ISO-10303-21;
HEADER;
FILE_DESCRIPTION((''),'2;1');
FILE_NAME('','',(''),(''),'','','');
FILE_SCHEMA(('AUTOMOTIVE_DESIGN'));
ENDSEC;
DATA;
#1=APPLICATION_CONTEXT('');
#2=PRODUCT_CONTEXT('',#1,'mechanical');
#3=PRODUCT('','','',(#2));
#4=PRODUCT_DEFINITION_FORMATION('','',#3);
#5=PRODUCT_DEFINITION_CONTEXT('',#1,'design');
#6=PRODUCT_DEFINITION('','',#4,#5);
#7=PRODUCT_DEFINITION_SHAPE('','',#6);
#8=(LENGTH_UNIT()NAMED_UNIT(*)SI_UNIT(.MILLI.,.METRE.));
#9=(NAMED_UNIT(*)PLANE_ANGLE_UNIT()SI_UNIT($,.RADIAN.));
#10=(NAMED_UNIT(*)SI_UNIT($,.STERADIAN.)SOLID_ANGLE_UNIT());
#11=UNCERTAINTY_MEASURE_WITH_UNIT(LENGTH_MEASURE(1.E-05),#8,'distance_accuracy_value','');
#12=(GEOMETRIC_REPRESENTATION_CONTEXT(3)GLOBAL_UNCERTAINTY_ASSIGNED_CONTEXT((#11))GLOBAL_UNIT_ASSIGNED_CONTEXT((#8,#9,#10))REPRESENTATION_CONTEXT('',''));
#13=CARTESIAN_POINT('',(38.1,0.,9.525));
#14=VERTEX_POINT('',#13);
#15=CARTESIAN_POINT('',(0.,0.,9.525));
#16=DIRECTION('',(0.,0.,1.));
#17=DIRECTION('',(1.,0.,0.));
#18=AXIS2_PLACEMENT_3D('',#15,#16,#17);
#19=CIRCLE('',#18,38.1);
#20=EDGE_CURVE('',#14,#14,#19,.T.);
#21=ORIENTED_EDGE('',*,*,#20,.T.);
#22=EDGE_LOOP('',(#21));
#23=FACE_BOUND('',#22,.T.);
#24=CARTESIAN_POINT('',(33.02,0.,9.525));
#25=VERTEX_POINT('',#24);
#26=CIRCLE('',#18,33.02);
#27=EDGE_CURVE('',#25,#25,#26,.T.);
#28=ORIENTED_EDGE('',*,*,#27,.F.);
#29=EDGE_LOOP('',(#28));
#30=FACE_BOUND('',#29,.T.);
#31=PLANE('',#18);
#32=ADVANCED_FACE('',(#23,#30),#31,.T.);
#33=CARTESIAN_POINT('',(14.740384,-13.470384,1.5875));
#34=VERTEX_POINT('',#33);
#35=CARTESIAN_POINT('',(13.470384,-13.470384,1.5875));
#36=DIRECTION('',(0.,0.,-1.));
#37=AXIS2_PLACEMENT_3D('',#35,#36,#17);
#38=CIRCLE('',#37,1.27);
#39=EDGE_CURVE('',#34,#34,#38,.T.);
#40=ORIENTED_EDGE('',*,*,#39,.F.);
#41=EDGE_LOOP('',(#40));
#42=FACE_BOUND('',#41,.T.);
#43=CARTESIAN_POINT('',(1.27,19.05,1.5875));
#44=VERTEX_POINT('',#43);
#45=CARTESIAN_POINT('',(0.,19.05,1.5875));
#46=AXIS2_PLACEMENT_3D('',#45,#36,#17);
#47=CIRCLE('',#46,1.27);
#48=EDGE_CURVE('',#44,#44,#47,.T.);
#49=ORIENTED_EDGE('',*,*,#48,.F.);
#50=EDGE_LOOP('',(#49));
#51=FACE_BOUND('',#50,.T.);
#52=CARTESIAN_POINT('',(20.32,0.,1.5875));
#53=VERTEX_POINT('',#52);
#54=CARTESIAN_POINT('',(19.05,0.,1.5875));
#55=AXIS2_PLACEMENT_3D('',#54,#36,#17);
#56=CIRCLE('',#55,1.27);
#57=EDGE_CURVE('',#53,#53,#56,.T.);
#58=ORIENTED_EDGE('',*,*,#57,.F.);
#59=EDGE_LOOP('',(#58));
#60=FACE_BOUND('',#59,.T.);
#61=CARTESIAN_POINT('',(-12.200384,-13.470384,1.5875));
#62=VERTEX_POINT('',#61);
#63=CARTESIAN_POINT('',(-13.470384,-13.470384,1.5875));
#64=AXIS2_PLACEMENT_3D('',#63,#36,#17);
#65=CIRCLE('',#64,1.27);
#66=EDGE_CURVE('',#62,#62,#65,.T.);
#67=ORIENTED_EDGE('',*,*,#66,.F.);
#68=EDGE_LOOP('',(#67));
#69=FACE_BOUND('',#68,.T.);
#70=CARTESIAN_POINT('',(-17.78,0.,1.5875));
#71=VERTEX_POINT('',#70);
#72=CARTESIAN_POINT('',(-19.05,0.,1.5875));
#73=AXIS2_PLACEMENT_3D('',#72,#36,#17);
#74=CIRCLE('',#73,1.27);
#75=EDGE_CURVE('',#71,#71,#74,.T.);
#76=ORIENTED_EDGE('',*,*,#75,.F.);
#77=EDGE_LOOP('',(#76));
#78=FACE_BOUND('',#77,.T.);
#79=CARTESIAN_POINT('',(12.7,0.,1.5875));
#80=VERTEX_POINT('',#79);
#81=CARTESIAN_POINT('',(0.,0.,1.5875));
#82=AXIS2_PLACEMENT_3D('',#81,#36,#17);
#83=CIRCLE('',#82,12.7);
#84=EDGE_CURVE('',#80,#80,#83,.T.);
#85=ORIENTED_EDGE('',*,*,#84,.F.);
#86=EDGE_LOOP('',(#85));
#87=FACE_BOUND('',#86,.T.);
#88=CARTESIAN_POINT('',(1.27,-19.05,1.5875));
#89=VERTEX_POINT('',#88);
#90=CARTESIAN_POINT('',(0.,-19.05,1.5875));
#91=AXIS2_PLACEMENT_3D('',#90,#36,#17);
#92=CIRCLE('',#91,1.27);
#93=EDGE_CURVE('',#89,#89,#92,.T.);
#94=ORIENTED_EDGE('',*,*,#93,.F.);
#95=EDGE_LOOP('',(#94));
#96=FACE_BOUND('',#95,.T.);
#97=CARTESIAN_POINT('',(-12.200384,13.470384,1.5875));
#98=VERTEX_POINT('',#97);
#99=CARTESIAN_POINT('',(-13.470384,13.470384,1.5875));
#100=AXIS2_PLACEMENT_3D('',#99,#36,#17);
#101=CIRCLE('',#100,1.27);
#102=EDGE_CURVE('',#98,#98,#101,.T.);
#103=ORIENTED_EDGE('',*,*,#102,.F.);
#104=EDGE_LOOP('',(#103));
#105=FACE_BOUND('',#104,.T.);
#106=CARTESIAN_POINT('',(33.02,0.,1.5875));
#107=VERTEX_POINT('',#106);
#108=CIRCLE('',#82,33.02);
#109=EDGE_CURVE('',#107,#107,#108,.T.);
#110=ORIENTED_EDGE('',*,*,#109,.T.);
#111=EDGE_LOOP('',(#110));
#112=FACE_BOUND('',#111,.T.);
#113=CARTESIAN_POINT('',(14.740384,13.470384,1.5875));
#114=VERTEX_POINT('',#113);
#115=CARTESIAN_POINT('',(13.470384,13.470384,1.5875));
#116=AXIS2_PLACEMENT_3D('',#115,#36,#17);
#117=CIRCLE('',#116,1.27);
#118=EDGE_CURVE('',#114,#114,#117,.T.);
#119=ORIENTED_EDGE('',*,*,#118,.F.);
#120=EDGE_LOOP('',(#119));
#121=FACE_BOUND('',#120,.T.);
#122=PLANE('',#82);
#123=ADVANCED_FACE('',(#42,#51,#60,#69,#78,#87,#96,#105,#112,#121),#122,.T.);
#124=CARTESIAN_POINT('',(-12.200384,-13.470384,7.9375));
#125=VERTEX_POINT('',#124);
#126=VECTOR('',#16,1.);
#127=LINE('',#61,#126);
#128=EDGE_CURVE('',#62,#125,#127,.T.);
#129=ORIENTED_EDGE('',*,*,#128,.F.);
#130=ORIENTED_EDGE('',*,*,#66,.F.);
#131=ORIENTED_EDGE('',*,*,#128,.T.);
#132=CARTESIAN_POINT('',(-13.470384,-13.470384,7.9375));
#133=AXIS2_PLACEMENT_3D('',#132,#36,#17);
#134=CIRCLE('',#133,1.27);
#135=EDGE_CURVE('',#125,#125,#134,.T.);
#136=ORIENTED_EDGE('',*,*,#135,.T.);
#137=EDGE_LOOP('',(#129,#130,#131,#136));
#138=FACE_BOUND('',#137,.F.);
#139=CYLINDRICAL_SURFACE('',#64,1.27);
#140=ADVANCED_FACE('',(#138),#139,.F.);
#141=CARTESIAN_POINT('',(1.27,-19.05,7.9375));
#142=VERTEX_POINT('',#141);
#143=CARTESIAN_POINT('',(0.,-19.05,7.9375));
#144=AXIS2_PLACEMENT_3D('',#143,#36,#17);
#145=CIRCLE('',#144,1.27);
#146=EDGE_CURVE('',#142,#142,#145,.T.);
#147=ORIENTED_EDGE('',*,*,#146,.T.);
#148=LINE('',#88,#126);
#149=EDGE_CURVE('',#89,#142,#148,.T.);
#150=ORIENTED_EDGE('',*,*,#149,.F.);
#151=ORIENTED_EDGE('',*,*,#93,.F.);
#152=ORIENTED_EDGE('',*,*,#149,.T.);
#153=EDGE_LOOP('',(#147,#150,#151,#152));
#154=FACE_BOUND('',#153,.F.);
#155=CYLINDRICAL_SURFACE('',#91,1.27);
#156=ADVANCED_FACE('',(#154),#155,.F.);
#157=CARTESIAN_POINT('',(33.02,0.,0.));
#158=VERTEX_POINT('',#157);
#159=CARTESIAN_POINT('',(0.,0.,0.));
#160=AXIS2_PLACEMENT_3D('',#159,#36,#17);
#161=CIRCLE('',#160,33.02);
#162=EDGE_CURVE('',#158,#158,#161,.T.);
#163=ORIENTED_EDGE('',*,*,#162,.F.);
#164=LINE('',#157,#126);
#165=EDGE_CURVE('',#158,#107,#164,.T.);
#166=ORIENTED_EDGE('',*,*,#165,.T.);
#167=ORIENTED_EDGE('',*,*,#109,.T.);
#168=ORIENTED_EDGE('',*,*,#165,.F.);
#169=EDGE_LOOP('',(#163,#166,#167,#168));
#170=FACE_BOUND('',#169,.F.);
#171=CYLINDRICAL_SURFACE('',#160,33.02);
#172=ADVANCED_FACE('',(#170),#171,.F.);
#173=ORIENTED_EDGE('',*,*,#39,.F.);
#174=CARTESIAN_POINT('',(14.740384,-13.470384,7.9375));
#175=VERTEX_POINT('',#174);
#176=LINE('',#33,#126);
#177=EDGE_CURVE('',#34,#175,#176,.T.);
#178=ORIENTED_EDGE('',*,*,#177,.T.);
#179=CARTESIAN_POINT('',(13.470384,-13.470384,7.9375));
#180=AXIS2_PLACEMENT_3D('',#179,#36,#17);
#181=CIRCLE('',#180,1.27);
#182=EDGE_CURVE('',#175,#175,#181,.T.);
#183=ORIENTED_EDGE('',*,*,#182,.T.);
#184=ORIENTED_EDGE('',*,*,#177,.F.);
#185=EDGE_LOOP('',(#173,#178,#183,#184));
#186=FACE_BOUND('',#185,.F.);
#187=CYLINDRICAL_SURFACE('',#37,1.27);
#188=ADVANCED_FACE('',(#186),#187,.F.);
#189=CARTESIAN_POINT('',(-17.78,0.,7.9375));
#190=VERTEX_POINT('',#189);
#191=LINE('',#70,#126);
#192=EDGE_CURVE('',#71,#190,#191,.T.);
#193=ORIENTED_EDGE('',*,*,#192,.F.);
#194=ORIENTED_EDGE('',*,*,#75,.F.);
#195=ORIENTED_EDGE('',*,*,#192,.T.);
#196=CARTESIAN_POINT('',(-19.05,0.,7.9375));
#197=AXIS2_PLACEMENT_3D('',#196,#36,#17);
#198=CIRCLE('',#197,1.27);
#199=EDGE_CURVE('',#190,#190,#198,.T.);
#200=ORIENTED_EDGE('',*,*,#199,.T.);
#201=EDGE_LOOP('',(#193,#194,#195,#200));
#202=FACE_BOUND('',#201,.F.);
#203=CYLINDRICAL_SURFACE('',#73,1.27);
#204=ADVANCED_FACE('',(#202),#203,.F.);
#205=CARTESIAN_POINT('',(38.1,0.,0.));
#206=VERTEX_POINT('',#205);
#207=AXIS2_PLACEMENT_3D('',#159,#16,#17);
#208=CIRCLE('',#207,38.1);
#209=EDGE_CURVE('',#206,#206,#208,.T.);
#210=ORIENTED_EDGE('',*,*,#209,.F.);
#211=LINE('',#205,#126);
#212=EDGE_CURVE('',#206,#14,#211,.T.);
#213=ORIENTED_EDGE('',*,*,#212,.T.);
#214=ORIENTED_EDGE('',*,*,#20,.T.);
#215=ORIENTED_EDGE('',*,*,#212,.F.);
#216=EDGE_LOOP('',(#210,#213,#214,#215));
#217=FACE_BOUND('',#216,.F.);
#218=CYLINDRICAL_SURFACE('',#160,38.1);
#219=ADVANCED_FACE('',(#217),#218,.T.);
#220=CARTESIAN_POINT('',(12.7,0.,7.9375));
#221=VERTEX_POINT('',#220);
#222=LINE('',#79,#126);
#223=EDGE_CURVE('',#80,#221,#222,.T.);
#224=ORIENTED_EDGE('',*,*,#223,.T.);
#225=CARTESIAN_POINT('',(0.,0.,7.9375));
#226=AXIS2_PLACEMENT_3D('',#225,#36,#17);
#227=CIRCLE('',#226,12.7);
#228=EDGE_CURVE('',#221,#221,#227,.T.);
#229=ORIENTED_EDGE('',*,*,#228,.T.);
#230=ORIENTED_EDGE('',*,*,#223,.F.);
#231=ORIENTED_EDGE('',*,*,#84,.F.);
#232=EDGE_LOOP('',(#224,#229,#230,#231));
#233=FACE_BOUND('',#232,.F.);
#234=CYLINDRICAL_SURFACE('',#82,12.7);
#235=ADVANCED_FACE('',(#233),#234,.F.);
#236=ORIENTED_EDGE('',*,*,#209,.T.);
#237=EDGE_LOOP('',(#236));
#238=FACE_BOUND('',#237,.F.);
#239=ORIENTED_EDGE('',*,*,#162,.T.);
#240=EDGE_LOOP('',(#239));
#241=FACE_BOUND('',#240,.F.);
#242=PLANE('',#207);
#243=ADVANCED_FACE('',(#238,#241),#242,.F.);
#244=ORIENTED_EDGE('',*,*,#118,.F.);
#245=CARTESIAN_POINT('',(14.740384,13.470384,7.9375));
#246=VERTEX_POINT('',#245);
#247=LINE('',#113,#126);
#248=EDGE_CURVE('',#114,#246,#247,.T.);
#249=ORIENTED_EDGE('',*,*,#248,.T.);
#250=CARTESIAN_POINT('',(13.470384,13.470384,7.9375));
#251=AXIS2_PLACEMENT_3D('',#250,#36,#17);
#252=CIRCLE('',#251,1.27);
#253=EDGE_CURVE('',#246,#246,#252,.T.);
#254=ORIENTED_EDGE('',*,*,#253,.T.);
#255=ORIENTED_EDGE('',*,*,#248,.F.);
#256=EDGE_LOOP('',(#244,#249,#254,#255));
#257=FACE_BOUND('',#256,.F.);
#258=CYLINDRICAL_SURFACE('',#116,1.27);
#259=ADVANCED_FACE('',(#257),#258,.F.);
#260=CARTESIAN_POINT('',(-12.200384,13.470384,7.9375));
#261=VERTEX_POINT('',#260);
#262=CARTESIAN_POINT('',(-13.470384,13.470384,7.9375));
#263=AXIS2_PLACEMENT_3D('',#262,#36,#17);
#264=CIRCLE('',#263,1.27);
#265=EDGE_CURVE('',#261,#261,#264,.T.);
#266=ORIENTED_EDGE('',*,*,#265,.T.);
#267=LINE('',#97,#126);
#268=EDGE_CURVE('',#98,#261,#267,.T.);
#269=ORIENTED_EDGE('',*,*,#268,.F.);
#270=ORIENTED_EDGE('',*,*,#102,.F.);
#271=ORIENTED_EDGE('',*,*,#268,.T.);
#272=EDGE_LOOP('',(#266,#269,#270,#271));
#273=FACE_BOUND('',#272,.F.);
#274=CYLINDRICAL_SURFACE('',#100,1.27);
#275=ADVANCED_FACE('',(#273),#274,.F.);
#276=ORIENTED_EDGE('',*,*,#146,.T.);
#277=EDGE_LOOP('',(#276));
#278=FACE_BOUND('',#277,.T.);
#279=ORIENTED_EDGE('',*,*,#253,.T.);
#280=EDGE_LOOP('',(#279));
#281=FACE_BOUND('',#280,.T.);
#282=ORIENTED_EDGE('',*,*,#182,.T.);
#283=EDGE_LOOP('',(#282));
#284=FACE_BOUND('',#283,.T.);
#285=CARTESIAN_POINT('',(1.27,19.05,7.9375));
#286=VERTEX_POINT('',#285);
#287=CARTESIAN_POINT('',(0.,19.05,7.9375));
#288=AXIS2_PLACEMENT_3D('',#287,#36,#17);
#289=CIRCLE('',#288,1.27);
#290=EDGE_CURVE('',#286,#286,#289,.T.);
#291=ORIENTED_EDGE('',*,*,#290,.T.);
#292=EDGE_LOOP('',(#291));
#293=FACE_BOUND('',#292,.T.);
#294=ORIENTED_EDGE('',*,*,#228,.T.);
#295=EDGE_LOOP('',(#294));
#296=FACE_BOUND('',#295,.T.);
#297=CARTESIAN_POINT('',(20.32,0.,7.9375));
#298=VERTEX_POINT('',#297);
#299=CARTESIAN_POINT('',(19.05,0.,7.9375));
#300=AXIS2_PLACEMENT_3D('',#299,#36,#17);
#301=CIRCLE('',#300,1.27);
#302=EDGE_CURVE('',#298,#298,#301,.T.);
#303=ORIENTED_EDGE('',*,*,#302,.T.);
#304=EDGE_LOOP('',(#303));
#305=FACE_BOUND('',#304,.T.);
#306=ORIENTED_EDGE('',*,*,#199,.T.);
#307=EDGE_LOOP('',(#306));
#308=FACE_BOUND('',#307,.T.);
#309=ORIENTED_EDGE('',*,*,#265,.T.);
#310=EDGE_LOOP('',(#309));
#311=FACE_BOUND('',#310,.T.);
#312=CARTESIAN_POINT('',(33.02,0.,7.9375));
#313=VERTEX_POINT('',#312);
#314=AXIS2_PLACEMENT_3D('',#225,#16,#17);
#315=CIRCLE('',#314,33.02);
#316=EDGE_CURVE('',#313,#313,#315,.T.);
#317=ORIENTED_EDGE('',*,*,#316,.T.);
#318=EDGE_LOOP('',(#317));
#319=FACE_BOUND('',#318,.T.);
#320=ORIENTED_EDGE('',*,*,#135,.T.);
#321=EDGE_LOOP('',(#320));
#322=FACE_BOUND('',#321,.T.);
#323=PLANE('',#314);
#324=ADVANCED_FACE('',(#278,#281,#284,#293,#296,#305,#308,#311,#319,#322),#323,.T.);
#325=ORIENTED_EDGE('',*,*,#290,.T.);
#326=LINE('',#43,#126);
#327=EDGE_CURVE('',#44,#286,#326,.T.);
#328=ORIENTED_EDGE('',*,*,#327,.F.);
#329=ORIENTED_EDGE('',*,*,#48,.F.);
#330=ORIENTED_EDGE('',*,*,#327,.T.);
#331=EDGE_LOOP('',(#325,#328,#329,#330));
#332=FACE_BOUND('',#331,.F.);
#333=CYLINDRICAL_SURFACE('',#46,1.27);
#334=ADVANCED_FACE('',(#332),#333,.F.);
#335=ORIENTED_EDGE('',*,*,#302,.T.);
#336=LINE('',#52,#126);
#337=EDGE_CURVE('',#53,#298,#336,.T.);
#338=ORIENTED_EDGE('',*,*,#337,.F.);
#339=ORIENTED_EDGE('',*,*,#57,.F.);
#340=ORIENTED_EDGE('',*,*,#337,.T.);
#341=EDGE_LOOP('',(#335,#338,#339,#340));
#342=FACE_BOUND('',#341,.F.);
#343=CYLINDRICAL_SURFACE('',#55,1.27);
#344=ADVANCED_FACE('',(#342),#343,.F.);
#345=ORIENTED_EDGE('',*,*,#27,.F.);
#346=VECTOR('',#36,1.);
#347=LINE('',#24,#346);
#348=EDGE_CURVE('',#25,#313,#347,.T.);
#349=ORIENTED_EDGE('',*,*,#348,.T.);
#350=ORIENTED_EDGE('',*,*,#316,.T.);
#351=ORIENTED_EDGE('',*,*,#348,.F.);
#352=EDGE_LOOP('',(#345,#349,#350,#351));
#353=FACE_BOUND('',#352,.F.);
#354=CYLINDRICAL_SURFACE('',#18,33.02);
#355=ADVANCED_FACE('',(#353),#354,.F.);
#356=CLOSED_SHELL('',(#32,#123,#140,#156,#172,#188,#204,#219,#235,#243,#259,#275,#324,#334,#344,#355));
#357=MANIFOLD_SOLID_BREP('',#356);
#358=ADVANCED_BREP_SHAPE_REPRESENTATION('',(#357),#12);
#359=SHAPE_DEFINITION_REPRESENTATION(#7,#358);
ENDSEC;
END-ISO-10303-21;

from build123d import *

# Parameters (mm, degrees)
F0_R     = 38.1
F1_DEPTH = 9.525
F2_R     = 33.02
F3_DEPTH = 1.5875
F4_R     = 33.02
F5_DEPTH = 1.5875
F6_R     = 12.7
F6_R_2   = 1.27
F7_DEPTH = 25.4


with BuildPart() as f1:
    # F0 (on Top) → F1 (new body)
    with BuildSketch(Plane.XY):
        Circle(F0_R)
    extrude(amount=F1_DEPTH)

    # F2 (on face) → F3 (cut)
    with BuildSketch(Plane(origin=(0, 0, 0), x_dir=(1, 0, 0), z_dir=(0, 0, -1))):
        Circle(F2_R)
    extrude(amount=-F3_DEPTH, mode=Mode.SUBTRACT)

    # F4 (on face) → F5 (cut)
    with BuildSketch(Plane.XY.offset(9.525)):
        Circle(F4_R)
    extrude(amount=-F5_DEPTH, mode=Mode.SUBTRACT)

    # F6 (on face) → F7 (cut)
    with BuildSketch(Plane(origin=(0, 0, 1.5875), x_dir=(1, 0, 0), z_dir=(0, 0, -1))):
        Circle(F6_R)
        with Locations((-19.05, 0)):
            Circle(F6_R_2)
        with Locations((-13.470384, -13.470384)):
            Circle(F6_R_2)
        with Locations((0, -19.05)):
            Circle(F6_R_2)
        with Locations((13.470384, -13.470384)):
            Circle(F6_R_2)
        with Locations((19.05, 0)):
            Circle(F6_R_2)
        with Locations((13.470384, 13.470384)):
            Circle(F6_R_2)
        with Locations((0, 19.05)):
            Circle(F6_R_2)
        with Locations((-13.470384, 13.470384)):
            Circle(F6_R_2)
    extrude(amount=-F7_DEPTH, mode=Mode.SUBTRACT)


solid = f1.part
